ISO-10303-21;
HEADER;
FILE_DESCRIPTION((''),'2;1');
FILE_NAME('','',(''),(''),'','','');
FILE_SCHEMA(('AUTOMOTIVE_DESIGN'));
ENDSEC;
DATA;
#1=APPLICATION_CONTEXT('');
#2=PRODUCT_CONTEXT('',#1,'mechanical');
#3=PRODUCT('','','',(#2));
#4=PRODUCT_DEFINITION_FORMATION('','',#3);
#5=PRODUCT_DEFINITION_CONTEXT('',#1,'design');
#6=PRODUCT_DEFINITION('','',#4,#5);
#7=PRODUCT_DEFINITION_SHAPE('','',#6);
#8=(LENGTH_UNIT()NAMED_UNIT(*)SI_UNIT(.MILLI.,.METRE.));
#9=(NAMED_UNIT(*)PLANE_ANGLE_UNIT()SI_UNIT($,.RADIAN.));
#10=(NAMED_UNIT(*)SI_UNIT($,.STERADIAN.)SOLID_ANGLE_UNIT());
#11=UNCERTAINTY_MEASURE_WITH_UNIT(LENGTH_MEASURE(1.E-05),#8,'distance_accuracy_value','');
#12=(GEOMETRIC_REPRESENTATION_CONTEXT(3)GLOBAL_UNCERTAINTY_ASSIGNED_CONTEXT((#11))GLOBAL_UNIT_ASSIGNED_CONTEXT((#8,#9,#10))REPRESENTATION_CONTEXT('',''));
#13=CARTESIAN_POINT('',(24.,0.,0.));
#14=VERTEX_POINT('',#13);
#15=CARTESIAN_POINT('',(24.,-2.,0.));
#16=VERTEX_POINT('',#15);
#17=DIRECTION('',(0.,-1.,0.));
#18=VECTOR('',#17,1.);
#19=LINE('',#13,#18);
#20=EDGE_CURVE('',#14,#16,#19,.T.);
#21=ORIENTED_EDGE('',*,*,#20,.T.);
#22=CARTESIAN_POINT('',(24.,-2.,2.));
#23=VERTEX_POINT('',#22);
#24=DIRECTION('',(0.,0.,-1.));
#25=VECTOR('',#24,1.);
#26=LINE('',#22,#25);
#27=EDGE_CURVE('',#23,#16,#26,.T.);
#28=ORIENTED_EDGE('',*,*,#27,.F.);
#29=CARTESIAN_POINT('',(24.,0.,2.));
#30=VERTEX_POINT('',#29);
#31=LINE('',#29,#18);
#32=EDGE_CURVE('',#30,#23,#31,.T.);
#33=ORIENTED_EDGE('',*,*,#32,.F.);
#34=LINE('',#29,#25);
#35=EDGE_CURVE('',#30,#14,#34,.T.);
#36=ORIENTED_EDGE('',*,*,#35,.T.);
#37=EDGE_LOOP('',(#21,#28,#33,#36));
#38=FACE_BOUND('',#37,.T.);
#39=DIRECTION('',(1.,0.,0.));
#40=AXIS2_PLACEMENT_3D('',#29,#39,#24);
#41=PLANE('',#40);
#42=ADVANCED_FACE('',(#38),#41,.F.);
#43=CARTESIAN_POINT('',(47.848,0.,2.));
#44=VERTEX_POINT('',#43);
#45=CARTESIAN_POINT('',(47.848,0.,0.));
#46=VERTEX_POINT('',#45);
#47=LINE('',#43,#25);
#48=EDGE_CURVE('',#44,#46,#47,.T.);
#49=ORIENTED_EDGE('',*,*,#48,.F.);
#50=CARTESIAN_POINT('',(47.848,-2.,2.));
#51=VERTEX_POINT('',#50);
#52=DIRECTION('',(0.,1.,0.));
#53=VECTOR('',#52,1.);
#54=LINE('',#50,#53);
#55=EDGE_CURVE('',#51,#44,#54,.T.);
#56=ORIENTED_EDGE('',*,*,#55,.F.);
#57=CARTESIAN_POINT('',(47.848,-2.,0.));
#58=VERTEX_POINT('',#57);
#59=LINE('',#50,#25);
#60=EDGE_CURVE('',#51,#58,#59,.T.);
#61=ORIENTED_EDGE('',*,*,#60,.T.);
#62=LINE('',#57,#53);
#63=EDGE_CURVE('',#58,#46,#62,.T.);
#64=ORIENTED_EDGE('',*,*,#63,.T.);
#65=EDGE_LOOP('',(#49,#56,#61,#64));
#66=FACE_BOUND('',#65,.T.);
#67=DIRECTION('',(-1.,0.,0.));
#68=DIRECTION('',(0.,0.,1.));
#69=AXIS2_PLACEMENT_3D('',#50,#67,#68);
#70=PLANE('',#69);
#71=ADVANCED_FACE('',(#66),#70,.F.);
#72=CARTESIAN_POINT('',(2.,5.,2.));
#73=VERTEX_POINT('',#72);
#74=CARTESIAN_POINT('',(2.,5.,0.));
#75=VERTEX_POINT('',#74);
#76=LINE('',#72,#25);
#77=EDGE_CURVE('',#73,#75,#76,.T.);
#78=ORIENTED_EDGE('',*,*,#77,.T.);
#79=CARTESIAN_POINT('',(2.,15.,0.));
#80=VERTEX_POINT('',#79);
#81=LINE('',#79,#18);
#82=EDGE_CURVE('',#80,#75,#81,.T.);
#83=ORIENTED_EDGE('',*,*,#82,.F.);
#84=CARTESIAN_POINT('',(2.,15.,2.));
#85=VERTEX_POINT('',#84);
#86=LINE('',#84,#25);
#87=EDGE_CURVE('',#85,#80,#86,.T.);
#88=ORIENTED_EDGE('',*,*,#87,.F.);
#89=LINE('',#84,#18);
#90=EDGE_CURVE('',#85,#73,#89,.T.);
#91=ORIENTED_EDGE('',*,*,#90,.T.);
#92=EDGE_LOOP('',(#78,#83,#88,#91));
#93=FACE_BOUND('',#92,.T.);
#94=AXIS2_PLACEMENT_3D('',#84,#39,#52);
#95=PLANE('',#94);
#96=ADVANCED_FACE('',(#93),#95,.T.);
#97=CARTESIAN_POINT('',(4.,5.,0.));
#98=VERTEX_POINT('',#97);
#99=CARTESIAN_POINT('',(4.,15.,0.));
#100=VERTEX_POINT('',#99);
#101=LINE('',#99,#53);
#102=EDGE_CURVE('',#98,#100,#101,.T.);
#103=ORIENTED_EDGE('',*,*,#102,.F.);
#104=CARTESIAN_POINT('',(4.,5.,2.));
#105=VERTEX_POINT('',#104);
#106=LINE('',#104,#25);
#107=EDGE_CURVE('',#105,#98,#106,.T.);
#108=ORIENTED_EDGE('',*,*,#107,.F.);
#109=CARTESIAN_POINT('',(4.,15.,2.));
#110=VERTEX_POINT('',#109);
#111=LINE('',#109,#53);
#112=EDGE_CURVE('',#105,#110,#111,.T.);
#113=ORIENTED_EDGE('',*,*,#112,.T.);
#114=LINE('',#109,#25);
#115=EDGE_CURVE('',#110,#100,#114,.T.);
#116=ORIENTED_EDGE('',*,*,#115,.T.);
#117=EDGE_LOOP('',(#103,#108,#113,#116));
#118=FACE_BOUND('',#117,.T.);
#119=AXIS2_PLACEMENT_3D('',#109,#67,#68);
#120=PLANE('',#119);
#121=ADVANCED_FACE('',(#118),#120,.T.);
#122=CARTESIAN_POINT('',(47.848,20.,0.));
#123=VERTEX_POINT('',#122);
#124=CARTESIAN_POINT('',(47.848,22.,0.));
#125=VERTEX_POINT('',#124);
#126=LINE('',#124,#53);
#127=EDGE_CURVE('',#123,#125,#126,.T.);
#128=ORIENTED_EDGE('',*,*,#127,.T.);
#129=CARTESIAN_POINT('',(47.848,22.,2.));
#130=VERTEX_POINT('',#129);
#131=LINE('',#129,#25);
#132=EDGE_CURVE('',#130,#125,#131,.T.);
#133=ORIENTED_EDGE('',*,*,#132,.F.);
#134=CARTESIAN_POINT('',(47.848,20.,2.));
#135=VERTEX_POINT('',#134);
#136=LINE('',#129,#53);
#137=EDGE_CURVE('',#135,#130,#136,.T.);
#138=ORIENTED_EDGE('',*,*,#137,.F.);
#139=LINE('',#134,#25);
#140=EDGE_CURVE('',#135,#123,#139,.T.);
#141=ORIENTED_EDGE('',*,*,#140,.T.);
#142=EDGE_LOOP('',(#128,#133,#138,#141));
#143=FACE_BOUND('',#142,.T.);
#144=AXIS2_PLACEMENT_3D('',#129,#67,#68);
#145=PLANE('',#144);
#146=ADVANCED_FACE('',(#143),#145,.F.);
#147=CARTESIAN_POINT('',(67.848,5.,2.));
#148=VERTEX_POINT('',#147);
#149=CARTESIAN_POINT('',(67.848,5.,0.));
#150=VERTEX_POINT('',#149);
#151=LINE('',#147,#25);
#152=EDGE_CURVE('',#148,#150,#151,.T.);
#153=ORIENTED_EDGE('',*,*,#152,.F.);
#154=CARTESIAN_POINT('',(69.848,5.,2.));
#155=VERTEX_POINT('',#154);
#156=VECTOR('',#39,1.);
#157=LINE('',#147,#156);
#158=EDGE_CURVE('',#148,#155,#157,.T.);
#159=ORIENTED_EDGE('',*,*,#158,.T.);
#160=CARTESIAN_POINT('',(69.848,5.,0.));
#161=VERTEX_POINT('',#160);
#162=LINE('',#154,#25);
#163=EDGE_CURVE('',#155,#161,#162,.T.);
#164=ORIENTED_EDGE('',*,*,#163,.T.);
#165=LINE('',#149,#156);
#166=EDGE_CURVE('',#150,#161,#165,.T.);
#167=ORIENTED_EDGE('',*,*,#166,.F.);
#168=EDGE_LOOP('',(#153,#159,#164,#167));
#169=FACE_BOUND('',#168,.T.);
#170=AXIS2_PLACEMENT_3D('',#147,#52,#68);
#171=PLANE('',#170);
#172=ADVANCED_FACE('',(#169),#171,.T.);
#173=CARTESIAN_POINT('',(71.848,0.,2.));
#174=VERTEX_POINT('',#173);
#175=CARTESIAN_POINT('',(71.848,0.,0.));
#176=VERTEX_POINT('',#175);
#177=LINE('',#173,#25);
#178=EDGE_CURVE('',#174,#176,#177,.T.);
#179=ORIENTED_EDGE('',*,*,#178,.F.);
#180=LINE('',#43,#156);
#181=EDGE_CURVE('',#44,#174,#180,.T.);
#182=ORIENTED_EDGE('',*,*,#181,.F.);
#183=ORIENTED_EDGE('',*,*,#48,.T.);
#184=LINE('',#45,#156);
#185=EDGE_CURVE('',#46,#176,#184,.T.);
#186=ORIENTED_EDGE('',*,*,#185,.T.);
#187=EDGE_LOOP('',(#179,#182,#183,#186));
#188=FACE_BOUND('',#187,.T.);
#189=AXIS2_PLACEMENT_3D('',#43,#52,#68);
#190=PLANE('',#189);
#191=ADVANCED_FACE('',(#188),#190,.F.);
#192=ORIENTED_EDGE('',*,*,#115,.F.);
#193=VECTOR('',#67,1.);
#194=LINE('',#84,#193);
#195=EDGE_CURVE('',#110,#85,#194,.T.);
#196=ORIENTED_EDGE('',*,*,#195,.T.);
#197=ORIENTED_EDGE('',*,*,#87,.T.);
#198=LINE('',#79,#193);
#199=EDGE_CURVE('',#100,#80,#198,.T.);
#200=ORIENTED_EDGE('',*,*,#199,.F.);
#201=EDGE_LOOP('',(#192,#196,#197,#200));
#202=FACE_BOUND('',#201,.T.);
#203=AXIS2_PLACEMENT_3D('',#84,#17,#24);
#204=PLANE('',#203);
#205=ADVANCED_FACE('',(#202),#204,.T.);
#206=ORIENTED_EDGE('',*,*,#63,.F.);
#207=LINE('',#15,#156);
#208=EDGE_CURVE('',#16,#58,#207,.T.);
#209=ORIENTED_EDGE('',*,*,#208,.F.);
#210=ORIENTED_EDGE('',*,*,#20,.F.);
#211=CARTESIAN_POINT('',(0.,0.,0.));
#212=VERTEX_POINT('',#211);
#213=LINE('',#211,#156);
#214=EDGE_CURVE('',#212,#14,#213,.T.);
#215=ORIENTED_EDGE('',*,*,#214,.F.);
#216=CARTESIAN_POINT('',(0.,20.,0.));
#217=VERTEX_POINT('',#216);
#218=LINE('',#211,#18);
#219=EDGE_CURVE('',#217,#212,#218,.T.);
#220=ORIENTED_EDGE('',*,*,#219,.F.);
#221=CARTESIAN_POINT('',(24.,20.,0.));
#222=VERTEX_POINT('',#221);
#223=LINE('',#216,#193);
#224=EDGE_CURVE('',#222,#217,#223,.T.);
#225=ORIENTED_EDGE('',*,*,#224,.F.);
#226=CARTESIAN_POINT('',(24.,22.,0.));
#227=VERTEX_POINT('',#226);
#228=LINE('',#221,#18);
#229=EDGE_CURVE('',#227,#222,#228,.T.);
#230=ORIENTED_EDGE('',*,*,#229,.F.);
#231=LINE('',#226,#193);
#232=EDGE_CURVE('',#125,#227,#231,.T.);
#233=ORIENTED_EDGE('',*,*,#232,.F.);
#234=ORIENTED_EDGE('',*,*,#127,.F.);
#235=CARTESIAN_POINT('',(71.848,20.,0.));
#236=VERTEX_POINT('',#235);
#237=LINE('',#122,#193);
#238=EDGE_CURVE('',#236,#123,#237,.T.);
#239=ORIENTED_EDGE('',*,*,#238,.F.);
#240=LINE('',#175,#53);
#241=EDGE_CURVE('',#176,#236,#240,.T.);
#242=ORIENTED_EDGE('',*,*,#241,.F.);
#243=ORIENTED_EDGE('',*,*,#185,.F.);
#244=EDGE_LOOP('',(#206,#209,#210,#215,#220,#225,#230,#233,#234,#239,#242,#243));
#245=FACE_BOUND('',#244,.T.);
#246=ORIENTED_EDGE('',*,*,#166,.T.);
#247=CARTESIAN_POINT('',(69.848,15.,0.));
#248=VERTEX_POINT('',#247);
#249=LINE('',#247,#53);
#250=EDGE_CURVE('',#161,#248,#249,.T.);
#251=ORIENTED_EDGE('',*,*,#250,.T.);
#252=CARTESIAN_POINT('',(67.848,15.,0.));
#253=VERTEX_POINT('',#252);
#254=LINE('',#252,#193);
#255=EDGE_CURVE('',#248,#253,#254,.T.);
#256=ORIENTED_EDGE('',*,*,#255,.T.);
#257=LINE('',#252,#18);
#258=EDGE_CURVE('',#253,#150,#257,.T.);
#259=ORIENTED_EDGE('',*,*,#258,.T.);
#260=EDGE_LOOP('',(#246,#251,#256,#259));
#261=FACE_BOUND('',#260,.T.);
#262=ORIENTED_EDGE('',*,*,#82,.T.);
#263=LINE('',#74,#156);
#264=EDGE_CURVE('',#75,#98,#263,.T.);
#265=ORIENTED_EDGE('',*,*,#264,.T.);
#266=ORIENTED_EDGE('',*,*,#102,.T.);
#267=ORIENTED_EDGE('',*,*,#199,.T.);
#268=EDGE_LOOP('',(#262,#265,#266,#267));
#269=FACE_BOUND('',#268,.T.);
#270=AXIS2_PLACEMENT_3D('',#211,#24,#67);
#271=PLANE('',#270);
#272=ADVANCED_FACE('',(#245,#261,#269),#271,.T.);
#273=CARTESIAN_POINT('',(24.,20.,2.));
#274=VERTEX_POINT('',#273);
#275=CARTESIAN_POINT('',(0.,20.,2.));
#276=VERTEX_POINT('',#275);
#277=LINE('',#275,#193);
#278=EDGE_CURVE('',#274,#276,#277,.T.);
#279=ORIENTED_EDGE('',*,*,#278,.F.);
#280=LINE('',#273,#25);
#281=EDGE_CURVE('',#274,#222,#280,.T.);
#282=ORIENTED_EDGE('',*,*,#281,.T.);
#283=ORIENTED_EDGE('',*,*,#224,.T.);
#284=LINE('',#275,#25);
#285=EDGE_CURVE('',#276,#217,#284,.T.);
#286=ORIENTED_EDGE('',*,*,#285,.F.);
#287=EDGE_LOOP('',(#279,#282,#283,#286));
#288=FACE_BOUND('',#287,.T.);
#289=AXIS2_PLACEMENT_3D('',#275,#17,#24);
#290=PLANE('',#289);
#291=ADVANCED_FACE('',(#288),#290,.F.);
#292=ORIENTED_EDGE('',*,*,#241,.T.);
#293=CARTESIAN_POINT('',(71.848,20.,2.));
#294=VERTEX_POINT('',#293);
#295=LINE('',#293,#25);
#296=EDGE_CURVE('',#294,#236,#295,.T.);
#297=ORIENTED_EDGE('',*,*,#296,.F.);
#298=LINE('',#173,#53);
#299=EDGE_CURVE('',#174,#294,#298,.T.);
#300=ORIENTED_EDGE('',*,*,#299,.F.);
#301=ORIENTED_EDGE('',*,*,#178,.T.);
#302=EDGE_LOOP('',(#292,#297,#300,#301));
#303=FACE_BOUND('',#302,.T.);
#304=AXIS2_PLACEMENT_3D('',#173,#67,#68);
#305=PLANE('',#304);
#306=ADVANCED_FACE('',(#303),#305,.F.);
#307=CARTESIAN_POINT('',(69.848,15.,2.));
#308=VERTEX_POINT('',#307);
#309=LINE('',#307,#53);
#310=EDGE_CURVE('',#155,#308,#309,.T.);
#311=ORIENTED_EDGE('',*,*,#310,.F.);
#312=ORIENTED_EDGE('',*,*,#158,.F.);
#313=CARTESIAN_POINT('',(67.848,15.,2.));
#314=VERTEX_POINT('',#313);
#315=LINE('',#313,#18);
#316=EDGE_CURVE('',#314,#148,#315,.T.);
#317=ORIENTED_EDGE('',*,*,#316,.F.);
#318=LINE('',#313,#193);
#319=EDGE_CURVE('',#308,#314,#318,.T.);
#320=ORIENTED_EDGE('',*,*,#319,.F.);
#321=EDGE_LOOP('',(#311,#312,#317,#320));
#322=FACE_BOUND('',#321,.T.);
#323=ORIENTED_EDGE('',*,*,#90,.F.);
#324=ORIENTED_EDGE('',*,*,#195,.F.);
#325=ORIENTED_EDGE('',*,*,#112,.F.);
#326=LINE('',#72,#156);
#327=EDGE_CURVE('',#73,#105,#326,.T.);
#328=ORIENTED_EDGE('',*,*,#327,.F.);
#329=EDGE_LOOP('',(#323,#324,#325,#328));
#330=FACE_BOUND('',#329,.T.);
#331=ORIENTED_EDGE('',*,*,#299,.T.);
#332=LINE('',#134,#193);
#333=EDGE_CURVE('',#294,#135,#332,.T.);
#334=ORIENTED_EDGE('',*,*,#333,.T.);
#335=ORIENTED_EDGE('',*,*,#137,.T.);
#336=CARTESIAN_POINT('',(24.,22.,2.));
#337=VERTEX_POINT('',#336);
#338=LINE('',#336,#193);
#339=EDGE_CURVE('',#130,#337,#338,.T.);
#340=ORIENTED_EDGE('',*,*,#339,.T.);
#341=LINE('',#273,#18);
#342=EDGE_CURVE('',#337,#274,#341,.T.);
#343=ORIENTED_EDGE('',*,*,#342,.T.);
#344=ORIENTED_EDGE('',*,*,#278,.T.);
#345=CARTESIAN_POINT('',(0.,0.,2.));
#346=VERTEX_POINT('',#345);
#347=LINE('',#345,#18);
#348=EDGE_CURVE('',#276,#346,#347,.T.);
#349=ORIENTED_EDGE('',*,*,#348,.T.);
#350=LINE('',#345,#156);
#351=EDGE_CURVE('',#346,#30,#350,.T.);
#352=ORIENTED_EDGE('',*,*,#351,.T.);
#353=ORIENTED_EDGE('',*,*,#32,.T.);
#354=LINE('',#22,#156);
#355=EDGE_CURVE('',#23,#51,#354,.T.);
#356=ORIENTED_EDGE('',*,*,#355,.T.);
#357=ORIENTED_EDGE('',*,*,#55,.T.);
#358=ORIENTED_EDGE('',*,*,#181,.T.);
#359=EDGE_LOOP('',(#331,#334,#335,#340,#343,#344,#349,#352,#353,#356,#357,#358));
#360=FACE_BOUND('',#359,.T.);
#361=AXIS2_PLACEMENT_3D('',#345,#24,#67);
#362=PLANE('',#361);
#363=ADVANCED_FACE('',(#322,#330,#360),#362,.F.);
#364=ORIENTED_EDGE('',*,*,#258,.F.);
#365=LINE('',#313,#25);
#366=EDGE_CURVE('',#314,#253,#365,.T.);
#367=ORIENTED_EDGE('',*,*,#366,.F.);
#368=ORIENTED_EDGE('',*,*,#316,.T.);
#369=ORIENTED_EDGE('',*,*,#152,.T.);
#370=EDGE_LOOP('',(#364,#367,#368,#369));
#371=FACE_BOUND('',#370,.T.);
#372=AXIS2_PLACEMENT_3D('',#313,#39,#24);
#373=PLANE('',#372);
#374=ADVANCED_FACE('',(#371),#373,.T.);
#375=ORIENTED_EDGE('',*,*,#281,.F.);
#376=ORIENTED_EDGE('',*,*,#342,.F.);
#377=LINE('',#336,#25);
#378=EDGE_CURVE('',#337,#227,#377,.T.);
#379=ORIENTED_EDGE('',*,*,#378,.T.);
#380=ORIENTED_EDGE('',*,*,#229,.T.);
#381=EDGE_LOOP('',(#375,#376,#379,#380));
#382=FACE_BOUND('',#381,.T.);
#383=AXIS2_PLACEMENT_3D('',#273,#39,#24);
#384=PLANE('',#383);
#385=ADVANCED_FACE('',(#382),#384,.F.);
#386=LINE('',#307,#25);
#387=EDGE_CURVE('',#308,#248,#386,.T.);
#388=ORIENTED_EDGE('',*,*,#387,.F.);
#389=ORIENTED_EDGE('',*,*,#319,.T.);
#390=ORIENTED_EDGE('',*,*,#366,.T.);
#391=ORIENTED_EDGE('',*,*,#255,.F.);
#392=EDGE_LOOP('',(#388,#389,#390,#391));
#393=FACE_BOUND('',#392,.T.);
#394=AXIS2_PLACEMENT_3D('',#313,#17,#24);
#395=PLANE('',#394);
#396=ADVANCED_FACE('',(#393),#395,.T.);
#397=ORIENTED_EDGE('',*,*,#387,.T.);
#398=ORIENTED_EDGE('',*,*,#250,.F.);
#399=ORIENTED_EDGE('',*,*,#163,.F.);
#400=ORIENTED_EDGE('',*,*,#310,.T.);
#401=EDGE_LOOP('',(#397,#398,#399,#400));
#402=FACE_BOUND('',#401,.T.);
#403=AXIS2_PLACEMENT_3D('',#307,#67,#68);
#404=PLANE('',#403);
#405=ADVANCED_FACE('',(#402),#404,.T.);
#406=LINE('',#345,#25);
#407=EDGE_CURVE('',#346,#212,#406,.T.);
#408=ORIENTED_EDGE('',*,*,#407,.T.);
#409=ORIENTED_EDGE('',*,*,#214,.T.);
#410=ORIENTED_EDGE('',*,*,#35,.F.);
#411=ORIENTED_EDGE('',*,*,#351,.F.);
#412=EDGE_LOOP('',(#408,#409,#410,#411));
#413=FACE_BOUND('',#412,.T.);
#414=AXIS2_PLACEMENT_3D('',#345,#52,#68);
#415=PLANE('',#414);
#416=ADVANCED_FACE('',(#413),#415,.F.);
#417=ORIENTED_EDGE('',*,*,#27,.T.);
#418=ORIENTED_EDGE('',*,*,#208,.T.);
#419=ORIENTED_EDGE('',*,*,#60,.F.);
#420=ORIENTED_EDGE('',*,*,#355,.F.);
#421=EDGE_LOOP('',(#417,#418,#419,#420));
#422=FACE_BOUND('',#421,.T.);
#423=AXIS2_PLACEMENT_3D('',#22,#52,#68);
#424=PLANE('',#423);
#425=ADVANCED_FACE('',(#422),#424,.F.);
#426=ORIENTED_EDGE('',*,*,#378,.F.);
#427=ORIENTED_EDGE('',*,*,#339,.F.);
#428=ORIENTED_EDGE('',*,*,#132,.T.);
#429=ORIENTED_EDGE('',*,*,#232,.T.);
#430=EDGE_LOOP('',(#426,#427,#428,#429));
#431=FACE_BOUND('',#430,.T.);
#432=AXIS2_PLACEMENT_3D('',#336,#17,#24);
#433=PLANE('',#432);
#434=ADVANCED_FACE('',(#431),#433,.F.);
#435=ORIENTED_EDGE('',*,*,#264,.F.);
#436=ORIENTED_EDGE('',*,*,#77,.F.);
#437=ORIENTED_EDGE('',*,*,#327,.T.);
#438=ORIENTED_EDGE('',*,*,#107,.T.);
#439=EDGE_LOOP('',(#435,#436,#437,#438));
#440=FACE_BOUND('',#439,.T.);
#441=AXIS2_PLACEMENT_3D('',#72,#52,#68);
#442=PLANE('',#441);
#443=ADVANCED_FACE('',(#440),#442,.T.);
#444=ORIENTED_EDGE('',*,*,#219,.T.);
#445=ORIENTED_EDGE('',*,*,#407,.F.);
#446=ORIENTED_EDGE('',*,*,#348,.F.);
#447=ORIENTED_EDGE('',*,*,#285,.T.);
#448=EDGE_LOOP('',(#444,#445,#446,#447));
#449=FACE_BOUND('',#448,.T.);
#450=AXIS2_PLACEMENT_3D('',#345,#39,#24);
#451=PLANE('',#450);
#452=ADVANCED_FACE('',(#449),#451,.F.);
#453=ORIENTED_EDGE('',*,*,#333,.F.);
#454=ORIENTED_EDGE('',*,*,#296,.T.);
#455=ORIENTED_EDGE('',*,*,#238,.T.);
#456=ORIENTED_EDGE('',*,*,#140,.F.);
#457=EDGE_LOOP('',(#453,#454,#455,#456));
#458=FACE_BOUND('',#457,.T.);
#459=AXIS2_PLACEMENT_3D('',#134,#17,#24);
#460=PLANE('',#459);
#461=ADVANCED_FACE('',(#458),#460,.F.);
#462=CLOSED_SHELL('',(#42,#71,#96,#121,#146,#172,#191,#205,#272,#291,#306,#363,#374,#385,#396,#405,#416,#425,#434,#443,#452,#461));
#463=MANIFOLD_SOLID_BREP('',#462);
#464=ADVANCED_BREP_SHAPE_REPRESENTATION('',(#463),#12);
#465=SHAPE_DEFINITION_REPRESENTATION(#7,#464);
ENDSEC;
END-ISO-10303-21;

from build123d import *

# Parameters (mm, degrees)
SKETCH1_W           = 2
SKETCH1_H           = 10
BOSS_EXTRUDE1_DEPTH = 2


with BuildPart() as part:
    # Sketch1 → Boss-Extrude1 (new body)
    with BuildSketch(Plane.XY):
        Polygon((0, 0), (24, 0), (24, -2), (47.848, -2), (47.848, 0), (71.848, 0), (71.848, 20), (47.848, 20), (47.848, 22), (24, 22), (24, 20), (0, 20), align=None)
        with Locations((3, 10)):
            Rectangle(SKETCH1_W, SKETCH1_H, mode=Mode.SUBTRACT)
        with Locations((68.848, 10)):
            Rectangle(SKETCH1_W, SKETCH1_H, mode=Mode.SUBTRACT)
    extrude(amount=BOSS_EXTRUDE1_DEPTH)


solid = part.part
